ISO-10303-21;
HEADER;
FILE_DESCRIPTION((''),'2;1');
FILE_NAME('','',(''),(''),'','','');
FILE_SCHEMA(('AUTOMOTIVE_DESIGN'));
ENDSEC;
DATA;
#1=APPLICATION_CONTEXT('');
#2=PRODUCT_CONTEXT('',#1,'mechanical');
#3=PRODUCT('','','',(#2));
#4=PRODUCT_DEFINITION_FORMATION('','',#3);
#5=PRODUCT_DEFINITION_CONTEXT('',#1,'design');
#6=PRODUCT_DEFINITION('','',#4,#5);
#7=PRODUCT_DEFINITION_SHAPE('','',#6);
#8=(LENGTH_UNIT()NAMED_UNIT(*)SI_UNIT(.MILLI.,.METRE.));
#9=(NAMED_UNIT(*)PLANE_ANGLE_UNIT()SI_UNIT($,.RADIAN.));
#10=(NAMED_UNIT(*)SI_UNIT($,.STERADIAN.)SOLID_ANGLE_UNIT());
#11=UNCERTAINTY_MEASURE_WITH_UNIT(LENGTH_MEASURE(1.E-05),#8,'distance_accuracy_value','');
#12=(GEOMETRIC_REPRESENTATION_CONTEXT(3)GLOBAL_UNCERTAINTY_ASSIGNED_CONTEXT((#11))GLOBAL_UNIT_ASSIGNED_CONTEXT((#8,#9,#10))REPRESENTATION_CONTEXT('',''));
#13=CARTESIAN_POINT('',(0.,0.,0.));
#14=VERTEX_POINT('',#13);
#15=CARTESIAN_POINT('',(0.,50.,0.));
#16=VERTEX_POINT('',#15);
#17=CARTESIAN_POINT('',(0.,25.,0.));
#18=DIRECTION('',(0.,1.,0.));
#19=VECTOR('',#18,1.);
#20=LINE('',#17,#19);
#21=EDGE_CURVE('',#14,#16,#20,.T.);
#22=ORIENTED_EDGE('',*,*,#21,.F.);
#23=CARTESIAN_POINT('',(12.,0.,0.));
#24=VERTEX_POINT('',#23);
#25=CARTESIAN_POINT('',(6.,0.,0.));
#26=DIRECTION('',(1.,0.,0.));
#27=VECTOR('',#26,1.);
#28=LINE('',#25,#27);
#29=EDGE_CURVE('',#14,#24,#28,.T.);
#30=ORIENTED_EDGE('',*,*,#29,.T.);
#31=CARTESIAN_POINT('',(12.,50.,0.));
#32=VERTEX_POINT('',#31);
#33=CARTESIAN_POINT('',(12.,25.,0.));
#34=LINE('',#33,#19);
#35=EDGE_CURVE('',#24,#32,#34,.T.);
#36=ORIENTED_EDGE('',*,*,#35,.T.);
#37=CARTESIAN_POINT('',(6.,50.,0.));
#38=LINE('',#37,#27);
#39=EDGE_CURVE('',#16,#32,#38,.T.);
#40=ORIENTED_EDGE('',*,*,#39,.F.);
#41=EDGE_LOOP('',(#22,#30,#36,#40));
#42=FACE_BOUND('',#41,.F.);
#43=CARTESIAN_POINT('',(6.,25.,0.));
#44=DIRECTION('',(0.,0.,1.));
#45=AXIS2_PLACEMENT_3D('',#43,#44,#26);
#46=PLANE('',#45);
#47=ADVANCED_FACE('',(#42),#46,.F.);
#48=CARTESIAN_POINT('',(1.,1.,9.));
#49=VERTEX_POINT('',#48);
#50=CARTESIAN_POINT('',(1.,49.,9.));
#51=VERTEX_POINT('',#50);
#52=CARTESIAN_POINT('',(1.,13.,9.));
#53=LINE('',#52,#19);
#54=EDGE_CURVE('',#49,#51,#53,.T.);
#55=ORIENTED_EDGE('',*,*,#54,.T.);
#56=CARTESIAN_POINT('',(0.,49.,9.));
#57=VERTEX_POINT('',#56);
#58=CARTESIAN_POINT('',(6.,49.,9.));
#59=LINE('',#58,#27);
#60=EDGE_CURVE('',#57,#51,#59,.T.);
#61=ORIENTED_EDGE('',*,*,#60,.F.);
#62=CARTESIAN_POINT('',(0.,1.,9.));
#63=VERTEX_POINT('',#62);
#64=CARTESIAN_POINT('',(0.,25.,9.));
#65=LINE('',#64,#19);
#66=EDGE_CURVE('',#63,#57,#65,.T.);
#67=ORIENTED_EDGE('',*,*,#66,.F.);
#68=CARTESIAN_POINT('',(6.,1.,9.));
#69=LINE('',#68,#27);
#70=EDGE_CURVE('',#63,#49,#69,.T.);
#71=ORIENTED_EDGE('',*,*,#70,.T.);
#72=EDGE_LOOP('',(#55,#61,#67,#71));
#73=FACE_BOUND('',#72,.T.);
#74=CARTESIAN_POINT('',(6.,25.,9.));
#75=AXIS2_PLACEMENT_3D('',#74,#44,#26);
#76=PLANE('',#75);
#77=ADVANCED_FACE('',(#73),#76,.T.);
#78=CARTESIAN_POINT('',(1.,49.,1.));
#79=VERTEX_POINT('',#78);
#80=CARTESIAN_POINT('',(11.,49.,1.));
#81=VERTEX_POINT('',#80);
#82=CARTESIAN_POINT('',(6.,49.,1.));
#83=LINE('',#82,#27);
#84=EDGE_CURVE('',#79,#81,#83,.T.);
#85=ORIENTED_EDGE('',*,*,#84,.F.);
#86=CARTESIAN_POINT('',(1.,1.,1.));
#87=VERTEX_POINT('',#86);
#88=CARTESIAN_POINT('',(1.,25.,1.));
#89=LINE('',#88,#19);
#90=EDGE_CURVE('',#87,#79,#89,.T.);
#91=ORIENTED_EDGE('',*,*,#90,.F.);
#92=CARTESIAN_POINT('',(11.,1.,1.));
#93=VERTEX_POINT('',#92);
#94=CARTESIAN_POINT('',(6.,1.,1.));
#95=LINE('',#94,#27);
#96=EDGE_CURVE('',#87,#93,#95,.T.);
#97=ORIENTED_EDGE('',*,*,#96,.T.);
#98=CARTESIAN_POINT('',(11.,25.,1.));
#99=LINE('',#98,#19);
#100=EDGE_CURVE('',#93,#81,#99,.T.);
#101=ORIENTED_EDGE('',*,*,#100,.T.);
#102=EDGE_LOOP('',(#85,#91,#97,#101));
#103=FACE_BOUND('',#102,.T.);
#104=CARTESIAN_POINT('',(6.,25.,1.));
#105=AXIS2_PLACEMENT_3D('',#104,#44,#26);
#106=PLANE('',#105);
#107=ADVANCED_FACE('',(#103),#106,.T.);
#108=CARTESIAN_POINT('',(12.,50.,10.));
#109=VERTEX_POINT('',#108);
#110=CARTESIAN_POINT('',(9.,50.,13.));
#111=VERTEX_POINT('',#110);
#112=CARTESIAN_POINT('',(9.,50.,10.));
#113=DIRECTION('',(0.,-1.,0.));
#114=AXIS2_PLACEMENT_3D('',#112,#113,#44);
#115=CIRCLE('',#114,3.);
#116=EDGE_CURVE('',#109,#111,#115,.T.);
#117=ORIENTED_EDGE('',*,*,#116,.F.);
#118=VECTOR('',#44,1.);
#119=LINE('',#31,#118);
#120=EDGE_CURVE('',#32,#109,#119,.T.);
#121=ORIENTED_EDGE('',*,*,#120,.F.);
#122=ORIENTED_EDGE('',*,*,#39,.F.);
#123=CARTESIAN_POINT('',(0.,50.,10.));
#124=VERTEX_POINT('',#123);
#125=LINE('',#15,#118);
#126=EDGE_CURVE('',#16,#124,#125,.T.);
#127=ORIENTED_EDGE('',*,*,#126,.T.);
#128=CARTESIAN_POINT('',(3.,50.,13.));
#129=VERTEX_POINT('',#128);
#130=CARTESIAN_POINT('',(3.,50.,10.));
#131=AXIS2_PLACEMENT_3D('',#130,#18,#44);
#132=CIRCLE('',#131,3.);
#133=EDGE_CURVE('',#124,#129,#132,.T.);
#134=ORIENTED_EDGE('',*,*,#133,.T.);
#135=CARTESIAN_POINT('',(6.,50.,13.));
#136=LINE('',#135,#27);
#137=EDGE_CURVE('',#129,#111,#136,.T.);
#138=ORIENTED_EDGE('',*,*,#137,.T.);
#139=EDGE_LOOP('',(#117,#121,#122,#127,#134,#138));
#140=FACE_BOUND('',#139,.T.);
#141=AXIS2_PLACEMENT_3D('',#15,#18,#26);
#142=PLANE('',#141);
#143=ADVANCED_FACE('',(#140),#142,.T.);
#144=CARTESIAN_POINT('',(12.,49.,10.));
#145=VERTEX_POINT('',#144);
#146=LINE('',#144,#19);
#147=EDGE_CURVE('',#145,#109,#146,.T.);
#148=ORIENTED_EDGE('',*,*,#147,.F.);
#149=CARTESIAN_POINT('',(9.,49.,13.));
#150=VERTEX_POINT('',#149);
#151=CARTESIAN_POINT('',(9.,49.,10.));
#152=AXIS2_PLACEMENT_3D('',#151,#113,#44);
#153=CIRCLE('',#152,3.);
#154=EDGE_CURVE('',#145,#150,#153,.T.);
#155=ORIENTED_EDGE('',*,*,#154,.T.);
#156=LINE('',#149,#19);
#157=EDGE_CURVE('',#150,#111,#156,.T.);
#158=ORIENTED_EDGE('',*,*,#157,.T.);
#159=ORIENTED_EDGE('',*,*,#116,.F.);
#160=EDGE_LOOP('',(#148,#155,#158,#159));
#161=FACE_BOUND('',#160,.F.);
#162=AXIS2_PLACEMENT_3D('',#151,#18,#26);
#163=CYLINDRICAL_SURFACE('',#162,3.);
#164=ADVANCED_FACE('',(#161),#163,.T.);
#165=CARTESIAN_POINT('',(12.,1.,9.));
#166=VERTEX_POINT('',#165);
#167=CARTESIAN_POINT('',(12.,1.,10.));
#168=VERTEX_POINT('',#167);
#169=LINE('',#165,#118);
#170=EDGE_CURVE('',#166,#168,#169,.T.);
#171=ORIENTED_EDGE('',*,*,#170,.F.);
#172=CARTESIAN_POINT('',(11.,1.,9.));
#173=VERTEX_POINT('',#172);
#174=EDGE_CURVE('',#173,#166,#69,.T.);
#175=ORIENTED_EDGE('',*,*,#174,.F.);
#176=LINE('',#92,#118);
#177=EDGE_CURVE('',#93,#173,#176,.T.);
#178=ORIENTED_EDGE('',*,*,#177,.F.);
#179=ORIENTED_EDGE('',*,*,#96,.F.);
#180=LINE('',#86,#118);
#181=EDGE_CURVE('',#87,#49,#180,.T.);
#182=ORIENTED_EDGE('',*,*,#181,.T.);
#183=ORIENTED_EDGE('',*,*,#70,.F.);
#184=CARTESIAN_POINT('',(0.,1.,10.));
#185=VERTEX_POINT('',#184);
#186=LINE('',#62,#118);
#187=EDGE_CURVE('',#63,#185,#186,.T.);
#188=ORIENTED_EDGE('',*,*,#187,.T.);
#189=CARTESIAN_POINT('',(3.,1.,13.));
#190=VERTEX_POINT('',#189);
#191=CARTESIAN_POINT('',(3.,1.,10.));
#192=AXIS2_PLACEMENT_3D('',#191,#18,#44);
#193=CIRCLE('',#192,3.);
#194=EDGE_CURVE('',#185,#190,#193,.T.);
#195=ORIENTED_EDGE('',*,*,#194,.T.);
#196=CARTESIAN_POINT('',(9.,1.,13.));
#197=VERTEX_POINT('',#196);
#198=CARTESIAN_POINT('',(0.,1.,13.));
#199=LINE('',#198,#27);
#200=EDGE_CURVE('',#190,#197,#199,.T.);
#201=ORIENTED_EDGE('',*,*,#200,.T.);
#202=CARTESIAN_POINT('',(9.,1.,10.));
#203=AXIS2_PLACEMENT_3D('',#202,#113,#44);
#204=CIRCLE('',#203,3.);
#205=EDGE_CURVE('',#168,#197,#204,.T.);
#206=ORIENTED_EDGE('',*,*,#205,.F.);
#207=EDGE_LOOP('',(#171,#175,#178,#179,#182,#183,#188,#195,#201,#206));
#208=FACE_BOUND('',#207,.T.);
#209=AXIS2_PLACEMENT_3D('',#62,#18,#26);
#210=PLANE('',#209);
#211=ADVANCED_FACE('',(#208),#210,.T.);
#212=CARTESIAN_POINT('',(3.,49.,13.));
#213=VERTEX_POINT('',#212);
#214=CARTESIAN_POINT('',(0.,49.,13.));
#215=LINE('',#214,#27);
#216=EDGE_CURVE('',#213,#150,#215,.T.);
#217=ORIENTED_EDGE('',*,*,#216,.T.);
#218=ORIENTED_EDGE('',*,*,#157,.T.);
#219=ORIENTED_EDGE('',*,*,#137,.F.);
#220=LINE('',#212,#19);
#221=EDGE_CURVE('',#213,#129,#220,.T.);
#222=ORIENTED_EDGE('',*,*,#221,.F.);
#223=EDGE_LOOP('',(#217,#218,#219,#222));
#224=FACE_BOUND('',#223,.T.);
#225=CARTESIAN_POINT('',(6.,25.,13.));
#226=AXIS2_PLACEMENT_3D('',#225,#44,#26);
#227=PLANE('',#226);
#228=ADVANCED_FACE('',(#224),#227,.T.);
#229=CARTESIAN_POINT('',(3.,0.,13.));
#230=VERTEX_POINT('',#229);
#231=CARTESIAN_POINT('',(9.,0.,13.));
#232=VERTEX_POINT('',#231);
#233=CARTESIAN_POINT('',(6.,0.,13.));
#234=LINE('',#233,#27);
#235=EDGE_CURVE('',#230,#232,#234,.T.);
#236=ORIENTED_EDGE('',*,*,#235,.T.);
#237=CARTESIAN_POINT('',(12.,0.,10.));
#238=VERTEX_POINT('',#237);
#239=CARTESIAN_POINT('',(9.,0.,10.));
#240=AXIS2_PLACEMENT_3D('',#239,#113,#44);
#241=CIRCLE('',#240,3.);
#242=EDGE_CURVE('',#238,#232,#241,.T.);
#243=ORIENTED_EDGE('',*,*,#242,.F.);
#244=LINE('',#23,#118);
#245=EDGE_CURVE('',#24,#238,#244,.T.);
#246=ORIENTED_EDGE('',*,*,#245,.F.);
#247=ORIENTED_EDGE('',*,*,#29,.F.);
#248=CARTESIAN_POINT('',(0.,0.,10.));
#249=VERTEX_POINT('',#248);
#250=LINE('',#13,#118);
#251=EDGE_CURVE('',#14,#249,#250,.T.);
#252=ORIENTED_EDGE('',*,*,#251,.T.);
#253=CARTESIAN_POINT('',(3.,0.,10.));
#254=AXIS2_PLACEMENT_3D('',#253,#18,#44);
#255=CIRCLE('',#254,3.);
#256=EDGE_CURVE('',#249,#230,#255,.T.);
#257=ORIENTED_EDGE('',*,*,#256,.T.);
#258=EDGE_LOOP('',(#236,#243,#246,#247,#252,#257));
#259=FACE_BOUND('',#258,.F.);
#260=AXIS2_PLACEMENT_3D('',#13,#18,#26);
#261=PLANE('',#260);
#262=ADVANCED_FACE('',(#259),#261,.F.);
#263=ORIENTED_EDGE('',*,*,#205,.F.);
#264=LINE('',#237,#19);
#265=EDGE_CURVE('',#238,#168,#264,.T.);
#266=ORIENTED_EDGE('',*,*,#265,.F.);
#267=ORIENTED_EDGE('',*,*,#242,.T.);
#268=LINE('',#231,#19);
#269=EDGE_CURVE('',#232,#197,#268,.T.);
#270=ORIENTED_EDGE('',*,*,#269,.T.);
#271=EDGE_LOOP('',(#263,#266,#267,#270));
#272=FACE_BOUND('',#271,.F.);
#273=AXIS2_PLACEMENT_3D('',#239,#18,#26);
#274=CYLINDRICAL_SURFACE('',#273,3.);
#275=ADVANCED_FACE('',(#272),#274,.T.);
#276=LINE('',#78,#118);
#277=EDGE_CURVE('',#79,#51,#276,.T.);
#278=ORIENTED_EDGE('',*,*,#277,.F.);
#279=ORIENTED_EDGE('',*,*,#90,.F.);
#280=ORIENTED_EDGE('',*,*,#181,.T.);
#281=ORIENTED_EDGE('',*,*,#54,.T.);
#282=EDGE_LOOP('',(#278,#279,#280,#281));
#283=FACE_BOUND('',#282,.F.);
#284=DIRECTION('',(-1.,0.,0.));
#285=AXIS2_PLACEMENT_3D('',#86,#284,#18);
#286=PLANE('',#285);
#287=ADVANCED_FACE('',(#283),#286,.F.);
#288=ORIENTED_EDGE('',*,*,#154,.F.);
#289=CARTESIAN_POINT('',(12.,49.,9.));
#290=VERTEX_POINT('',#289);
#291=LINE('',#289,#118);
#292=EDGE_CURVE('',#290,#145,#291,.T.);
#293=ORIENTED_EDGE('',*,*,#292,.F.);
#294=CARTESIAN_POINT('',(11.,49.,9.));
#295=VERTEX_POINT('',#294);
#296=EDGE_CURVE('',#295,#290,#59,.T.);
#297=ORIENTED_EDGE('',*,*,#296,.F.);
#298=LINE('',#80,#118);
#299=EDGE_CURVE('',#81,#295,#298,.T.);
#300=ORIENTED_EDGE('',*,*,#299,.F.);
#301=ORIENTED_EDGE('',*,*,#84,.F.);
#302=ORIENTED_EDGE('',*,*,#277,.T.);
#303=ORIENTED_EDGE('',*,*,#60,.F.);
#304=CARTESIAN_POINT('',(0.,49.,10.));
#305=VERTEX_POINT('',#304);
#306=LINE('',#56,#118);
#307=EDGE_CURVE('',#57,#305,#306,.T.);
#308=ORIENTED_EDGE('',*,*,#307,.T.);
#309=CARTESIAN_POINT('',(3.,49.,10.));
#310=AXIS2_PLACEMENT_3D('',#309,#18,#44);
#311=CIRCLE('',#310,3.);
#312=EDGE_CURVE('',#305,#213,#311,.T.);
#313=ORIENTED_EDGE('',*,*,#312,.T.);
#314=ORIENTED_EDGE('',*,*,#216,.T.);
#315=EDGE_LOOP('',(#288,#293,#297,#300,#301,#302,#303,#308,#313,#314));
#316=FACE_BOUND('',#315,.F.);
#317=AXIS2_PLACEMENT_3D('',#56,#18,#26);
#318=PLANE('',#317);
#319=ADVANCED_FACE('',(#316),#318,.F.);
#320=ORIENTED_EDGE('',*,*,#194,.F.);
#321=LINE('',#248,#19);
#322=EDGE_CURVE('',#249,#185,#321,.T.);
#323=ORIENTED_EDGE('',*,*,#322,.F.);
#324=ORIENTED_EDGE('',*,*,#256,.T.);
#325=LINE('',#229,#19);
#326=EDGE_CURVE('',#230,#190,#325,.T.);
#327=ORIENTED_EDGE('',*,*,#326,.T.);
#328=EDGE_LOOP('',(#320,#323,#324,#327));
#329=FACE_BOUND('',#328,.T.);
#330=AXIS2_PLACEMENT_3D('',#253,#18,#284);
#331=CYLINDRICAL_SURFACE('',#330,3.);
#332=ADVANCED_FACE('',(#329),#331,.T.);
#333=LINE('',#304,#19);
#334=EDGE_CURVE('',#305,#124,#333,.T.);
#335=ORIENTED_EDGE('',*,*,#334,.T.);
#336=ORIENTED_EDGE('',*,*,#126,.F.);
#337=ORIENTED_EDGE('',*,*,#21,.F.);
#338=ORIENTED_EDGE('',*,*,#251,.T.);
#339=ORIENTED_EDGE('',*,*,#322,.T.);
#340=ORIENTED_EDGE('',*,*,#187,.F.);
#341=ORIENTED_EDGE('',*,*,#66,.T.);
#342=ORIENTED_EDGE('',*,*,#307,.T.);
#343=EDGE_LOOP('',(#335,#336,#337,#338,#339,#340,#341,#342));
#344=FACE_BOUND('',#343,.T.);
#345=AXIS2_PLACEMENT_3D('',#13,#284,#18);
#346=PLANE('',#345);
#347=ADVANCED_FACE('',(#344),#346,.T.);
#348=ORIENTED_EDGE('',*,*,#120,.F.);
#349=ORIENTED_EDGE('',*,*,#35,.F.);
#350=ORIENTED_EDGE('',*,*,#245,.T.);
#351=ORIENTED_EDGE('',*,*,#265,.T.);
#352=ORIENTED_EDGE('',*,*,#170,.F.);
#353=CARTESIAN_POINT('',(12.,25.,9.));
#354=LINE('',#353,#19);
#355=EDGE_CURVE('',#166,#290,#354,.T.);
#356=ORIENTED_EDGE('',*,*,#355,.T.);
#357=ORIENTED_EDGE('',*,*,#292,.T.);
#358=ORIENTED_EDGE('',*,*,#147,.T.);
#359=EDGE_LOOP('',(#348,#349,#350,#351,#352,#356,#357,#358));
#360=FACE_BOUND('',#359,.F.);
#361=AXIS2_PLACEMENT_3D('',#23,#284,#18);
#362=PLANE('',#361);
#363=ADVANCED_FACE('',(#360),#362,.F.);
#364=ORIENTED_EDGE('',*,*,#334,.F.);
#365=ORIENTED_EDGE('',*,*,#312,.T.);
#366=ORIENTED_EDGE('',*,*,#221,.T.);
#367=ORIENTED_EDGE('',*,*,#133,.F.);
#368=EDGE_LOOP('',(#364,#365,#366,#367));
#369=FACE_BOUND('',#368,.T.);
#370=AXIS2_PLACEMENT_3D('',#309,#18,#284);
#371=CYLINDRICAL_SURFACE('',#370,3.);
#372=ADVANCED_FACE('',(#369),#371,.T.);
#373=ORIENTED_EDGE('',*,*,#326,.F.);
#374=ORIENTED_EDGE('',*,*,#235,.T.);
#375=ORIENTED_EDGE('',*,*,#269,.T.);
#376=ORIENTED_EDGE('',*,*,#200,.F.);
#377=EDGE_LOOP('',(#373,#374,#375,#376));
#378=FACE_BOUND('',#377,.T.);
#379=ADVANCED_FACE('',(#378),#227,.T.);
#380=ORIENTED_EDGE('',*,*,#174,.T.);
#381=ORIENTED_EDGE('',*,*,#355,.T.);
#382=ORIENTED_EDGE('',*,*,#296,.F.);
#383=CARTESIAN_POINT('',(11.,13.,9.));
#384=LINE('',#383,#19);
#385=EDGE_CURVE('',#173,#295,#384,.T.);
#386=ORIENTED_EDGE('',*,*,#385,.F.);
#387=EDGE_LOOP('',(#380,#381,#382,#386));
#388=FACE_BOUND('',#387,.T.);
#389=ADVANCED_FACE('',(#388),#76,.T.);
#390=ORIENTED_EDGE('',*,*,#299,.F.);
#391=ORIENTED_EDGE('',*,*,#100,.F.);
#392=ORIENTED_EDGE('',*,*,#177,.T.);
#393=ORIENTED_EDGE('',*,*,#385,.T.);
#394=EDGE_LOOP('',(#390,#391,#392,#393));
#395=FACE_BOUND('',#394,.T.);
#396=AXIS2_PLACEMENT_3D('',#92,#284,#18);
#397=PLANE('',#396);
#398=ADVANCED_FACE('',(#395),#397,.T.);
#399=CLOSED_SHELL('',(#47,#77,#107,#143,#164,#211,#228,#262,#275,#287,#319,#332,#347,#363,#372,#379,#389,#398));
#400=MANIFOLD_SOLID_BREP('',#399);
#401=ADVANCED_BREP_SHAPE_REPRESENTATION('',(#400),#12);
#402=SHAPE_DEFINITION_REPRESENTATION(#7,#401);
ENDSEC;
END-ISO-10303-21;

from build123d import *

# Parameters (mm, degrees)
BOX002_W     = 12
BOX002_H     = 48
BOX002_DEPTH = 4
BOX001_W     = 10
BOX001_H     = 48
BOX001_DEPTH = 12
BOX_W        = 12
BOX_H        = 50
BOX_DEPTH    = 13
FILLET_R     = 3


with BuildPart() as kostka002:
    # Box002 → Box002 (new body)
    with BuildSketch(Plane(origin=(0, 1, 9), x_dir=(1, 0, 0), z_dir=(0, 0, 1))):
        with Locations((6, 24)):
            Rectangle(BOX002_W, BOX002_H)
    extrude(amount=BOX002_DEPTH)


with BuildPart() as kostka001:
    # Box001 → Box001 (new body)
    with BuildSketch(Plane(origin=(1, 1, 1), x_dir=(1, 0, 0), z_dir=(0, 0, 1))):
        with Locations((5, 24)):
            Rectangle(BOX001_W, BOX001_H)
    extrude(amount=BOX001_DEPTH)


with BuildPart() as fillet_body:
    # Box → Box (new body)
    with BuildSketch(Plane.XY):
        with Locations((6, 25)):
            Rectangle(BOX_W, BOX_H)
    extrude(amount=BOX_DEPTH)

    # Cut: cut Kostka001
    add(kostka001.part, mode=Mode.SUBTRACT)

    # Cut001: cut Kostka002
    add(kostka002.part, mode=Mode.SUBTRACT)

    # Fillet
    fillet_edges = [fillet_body.edges().sort_by_distance(p)[0] for p in [
        (0, 0.5, 13),
        (0, 49.5, 13),
        (12, 0.5, 13),
        (12, 49.5, 13),
    ]]
    fillet(fillet_edges, radius=FILLET_R)


solid = fillet_body.part
